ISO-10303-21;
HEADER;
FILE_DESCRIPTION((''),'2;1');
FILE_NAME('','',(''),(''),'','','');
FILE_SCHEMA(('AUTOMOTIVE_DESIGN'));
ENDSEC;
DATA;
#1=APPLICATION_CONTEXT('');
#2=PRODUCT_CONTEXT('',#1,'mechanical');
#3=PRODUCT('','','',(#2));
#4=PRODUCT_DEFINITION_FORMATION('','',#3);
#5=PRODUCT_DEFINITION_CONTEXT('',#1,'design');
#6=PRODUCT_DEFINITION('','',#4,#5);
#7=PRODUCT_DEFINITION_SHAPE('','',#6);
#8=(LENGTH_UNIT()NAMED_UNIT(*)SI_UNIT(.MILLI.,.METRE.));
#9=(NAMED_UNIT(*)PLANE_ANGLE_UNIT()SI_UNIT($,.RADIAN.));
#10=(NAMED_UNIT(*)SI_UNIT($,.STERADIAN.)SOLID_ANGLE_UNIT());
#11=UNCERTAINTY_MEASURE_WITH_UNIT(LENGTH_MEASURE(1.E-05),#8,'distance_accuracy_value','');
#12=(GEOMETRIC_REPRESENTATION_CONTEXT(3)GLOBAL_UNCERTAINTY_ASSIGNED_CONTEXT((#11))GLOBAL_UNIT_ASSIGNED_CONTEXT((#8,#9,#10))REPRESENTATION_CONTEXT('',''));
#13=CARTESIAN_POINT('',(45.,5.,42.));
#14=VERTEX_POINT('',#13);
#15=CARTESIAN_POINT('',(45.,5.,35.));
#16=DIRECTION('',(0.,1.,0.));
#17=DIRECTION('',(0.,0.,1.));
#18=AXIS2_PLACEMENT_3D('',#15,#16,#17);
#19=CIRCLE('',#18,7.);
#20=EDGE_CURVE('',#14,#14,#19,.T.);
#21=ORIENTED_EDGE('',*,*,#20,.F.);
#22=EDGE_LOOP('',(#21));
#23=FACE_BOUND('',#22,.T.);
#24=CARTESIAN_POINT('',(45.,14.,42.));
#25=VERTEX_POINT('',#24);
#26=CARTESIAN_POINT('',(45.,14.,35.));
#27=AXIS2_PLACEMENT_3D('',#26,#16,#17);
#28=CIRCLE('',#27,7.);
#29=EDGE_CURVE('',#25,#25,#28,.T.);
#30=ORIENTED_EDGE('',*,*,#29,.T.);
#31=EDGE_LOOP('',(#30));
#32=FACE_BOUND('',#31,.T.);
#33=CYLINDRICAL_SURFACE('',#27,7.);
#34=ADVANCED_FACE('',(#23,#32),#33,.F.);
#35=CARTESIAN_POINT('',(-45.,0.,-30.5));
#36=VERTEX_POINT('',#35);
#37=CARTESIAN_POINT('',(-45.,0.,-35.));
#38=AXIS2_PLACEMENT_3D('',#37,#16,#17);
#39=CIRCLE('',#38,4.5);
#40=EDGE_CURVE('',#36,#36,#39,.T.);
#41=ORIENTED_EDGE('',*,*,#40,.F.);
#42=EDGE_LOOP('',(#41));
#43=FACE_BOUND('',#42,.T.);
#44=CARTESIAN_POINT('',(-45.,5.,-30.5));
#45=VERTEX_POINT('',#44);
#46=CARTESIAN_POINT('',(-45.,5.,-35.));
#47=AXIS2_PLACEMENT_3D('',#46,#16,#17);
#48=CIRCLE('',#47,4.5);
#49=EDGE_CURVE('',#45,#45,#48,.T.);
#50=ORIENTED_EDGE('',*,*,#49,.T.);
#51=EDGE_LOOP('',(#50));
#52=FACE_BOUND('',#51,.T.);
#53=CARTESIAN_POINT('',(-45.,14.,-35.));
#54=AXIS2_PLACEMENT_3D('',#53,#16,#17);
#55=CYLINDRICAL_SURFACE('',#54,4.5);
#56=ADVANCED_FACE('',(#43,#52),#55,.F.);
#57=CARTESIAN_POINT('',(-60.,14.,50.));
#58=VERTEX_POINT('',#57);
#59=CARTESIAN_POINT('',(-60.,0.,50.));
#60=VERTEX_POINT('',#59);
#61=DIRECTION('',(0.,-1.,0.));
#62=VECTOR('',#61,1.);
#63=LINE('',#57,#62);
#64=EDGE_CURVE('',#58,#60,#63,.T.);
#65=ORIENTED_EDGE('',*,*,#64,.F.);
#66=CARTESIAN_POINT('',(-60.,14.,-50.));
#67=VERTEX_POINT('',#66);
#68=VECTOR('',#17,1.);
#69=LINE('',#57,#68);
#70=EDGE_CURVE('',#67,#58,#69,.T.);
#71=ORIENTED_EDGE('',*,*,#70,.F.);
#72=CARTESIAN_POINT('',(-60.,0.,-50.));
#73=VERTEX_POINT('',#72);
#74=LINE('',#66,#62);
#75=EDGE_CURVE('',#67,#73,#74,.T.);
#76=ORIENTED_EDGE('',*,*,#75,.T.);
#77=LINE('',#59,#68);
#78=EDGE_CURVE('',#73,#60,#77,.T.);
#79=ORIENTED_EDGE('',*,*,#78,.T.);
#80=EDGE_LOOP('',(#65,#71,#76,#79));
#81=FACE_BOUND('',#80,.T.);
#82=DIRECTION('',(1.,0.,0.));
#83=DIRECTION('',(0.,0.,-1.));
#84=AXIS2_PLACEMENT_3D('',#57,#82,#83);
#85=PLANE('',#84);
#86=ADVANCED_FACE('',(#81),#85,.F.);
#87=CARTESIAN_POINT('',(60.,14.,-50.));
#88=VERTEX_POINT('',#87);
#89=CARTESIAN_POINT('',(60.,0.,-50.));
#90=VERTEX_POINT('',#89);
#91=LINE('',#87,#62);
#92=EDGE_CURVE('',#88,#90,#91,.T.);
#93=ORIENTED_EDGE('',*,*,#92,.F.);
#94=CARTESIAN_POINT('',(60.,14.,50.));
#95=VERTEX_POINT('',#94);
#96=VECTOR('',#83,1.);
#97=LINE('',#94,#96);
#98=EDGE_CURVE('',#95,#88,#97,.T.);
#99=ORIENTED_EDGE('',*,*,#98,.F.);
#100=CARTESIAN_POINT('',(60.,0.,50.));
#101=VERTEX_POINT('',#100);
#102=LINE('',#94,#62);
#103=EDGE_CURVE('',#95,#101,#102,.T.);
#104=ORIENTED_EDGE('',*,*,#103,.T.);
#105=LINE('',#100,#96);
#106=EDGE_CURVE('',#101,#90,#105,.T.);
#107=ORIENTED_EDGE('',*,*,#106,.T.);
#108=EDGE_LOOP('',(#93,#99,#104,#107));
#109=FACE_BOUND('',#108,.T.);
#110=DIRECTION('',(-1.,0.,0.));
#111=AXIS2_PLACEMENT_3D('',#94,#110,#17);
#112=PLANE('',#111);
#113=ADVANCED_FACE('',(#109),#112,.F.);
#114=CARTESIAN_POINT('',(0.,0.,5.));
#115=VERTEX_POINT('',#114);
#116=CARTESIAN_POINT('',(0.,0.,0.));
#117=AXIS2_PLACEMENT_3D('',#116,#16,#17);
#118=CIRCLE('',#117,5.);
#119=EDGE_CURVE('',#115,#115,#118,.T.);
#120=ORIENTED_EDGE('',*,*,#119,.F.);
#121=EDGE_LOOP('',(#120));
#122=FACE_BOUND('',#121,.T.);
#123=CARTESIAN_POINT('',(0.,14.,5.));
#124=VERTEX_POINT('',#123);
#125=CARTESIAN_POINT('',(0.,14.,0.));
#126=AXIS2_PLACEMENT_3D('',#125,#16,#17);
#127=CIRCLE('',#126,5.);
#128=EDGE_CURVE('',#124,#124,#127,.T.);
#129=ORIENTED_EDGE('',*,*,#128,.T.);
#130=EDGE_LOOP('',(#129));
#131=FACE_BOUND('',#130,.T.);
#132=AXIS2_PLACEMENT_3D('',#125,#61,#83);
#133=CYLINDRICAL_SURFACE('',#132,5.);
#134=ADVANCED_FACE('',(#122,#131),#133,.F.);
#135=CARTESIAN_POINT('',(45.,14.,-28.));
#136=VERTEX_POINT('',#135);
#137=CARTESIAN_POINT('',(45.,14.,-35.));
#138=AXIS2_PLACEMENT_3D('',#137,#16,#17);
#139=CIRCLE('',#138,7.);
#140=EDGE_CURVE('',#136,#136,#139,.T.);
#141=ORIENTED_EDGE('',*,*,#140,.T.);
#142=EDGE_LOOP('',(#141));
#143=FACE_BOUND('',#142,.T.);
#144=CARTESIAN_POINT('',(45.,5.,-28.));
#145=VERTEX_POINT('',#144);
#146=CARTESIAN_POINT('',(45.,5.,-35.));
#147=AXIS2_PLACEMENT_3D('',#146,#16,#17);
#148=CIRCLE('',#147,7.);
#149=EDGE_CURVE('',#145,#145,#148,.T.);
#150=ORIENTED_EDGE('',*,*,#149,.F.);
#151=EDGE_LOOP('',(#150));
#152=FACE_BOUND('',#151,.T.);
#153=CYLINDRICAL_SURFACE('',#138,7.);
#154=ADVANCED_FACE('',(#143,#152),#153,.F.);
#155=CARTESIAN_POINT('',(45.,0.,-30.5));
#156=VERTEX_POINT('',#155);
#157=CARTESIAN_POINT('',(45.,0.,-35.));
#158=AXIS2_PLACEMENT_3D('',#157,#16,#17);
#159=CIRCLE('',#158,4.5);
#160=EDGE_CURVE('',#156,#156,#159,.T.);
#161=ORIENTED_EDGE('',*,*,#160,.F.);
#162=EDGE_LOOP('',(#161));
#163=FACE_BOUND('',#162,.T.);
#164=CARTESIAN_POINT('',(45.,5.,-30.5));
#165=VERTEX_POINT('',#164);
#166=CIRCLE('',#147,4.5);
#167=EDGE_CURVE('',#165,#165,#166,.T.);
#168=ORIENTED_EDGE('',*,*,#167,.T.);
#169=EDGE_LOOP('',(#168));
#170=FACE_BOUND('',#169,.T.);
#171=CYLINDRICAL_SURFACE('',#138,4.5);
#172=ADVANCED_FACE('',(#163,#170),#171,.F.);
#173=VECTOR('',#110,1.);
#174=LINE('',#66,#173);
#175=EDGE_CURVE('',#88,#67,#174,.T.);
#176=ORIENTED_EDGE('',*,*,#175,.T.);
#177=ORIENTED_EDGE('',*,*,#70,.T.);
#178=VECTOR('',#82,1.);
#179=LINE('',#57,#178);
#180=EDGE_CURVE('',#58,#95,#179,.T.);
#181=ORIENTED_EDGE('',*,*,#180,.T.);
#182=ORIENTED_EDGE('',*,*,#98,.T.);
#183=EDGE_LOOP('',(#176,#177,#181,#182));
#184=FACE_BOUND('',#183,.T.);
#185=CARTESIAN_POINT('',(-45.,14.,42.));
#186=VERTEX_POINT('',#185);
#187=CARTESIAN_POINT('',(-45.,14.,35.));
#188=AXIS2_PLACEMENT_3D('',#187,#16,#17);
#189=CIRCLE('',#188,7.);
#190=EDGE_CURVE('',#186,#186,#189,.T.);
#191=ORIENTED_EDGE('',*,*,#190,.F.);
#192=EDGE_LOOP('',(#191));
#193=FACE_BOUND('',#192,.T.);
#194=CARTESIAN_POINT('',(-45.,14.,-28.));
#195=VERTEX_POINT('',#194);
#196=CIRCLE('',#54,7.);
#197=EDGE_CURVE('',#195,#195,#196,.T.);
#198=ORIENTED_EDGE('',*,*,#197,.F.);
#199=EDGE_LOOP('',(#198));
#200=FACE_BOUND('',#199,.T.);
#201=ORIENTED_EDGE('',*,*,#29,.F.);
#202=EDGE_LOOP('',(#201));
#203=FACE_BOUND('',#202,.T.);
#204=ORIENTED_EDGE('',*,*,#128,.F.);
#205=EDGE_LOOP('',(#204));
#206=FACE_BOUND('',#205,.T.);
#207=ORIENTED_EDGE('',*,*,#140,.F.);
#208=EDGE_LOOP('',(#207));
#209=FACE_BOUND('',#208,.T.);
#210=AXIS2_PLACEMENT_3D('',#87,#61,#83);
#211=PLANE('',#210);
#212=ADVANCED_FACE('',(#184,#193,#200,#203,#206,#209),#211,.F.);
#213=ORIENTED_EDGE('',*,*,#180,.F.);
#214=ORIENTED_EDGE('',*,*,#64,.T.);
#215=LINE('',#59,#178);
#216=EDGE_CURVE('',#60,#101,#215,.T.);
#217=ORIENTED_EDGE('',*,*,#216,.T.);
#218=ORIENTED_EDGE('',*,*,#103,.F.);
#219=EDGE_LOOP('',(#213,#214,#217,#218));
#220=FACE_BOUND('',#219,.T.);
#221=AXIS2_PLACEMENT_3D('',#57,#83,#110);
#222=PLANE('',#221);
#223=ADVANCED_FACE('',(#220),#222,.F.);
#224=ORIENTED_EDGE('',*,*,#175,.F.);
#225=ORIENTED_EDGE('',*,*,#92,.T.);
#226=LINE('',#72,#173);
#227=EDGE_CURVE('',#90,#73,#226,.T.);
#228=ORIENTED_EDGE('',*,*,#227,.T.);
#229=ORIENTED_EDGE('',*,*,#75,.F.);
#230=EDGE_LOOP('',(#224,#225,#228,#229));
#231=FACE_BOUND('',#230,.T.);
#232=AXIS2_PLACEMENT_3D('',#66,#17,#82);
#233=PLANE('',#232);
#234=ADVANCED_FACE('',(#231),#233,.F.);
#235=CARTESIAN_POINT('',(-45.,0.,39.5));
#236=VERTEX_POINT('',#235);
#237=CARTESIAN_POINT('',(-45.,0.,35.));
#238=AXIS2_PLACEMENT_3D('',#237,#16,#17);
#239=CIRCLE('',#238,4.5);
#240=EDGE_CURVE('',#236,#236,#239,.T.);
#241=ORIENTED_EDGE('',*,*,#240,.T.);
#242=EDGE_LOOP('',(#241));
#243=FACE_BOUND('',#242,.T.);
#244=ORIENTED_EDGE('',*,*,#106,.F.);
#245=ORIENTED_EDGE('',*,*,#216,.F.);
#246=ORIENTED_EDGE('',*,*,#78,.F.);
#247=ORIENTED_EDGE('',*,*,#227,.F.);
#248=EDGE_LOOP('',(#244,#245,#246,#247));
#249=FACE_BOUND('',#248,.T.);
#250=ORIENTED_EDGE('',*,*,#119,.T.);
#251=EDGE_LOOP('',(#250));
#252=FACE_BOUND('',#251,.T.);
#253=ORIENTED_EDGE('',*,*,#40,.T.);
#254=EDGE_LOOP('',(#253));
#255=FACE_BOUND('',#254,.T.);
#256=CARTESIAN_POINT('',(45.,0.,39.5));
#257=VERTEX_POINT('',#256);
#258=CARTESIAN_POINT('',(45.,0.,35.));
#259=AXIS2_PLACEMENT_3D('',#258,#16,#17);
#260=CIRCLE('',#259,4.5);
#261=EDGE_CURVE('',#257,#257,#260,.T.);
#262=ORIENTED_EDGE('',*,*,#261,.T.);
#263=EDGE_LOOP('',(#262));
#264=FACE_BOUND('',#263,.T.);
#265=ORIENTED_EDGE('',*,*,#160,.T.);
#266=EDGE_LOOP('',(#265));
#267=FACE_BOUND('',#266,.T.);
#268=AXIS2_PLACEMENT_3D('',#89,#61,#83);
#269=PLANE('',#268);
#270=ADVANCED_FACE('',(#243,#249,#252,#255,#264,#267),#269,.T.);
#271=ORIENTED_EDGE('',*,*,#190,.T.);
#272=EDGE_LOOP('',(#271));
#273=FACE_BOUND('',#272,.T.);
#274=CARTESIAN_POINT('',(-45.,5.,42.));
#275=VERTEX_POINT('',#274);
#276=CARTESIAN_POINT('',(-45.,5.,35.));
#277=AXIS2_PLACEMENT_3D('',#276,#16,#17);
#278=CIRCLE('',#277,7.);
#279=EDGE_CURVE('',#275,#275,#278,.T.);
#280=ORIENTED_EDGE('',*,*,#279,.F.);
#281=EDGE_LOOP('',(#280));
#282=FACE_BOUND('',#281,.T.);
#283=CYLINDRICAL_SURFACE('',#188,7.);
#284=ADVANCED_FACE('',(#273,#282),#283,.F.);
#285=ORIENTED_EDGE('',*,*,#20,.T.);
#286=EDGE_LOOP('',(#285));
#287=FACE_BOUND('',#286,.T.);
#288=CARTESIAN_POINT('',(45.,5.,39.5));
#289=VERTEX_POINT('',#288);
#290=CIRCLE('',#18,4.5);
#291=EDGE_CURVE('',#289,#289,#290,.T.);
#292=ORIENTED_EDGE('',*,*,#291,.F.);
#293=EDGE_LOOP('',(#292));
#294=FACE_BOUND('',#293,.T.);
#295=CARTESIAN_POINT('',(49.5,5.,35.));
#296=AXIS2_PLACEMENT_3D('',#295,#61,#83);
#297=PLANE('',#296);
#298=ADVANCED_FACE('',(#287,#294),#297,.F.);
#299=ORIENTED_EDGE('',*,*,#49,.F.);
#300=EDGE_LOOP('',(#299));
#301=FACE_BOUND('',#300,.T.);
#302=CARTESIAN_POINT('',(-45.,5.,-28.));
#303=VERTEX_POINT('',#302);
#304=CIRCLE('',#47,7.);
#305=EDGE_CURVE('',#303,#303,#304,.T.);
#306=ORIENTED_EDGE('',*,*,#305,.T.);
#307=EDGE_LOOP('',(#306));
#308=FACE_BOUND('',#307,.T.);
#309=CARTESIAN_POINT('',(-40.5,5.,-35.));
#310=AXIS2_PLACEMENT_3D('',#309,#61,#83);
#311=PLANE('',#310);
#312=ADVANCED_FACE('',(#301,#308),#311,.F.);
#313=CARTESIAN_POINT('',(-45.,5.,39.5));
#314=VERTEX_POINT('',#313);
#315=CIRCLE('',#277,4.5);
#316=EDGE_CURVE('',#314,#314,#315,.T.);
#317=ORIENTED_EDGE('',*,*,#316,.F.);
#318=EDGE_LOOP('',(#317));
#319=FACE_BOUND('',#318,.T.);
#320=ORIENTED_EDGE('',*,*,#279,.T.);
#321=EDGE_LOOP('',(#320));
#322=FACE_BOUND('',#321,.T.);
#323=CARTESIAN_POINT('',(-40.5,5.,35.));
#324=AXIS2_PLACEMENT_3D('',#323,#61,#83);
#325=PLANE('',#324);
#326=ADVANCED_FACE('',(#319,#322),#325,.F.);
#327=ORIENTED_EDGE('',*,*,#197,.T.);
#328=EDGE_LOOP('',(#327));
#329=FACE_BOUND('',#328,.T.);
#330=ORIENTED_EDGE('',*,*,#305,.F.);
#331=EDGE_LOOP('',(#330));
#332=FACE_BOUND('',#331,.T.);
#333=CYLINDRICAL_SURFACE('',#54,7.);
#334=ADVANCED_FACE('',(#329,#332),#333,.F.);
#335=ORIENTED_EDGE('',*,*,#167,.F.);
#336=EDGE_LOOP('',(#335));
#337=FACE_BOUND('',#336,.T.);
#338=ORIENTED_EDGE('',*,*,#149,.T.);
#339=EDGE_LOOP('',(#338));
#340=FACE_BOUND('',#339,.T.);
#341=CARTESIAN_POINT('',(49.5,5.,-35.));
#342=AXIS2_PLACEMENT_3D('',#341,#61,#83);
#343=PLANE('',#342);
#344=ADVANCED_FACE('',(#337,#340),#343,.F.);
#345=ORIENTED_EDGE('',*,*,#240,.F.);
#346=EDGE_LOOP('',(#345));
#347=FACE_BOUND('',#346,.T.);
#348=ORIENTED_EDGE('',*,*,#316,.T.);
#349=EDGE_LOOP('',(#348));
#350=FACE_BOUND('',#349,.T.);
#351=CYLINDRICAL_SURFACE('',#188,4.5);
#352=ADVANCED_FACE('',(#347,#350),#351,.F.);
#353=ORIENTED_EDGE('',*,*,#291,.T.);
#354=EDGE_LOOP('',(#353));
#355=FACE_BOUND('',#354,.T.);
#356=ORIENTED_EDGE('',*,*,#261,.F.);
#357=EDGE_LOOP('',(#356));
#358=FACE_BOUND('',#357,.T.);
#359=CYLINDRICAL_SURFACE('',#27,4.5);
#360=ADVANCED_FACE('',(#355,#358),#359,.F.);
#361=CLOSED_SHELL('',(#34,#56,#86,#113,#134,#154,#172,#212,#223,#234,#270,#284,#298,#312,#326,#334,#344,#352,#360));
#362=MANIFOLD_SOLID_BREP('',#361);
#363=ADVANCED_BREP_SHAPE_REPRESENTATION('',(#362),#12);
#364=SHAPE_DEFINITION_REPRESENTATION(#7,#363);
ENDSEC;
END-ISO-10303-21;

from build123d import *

# Parameters (mm, degrees)
ESBO_O1_W                         = 120
ESBO_O1_H                         = 100
ESBO_O1_R                         = 5
RESSALTO_EXTRUS_O1_DEPTH          = 14
REBAIXO_PARA_SHCS_M81_D           = 9
REBAIXO_PARA_SHCS_M81_CBORE_D     = 14
REBAIXO_PARA_SHCS_M81_CBORE_DEPTH = 9


with BuildPart() as part:
    # Esboço1 → Ressalto-extrusão1 (new body)
    with BuildSketch(Plane(origin=(0, 0, 0), x_dir=(1, 0, 0), z_dir=(0, 1, 0))):
        Rectangle(ESBO_O1_W, ESBO_O1_H)
        with Locations(Location((0, 0, 0), (0, 0, 270))):  # turned: the seam where the file's is
            Circle(ESBO_O1_R, mode=Mode.SUBTRACT)
    extrude(amount=RESSALTO_EXTRUS_O1_DEPTH)

    # Rebaixo para SHCS M81 (through all)
    with Locations(Plane(origin=(0, 14, 0), x_dir=(-1, 0, 0), z_dir=(0, 1, 0))):
        with Locations((45, -35), (45, 35), (-45, 35), (-45, -35)):
            CounterBoreHole(REBAIXO_PARA_SHCS_M81_D / 2, REBAIXO_PARA_SHCS_M81_CBORE_D / 2, REBAIXO_PARA_SHCS_M81_CBORE_DEPTH)


solid = part.part
